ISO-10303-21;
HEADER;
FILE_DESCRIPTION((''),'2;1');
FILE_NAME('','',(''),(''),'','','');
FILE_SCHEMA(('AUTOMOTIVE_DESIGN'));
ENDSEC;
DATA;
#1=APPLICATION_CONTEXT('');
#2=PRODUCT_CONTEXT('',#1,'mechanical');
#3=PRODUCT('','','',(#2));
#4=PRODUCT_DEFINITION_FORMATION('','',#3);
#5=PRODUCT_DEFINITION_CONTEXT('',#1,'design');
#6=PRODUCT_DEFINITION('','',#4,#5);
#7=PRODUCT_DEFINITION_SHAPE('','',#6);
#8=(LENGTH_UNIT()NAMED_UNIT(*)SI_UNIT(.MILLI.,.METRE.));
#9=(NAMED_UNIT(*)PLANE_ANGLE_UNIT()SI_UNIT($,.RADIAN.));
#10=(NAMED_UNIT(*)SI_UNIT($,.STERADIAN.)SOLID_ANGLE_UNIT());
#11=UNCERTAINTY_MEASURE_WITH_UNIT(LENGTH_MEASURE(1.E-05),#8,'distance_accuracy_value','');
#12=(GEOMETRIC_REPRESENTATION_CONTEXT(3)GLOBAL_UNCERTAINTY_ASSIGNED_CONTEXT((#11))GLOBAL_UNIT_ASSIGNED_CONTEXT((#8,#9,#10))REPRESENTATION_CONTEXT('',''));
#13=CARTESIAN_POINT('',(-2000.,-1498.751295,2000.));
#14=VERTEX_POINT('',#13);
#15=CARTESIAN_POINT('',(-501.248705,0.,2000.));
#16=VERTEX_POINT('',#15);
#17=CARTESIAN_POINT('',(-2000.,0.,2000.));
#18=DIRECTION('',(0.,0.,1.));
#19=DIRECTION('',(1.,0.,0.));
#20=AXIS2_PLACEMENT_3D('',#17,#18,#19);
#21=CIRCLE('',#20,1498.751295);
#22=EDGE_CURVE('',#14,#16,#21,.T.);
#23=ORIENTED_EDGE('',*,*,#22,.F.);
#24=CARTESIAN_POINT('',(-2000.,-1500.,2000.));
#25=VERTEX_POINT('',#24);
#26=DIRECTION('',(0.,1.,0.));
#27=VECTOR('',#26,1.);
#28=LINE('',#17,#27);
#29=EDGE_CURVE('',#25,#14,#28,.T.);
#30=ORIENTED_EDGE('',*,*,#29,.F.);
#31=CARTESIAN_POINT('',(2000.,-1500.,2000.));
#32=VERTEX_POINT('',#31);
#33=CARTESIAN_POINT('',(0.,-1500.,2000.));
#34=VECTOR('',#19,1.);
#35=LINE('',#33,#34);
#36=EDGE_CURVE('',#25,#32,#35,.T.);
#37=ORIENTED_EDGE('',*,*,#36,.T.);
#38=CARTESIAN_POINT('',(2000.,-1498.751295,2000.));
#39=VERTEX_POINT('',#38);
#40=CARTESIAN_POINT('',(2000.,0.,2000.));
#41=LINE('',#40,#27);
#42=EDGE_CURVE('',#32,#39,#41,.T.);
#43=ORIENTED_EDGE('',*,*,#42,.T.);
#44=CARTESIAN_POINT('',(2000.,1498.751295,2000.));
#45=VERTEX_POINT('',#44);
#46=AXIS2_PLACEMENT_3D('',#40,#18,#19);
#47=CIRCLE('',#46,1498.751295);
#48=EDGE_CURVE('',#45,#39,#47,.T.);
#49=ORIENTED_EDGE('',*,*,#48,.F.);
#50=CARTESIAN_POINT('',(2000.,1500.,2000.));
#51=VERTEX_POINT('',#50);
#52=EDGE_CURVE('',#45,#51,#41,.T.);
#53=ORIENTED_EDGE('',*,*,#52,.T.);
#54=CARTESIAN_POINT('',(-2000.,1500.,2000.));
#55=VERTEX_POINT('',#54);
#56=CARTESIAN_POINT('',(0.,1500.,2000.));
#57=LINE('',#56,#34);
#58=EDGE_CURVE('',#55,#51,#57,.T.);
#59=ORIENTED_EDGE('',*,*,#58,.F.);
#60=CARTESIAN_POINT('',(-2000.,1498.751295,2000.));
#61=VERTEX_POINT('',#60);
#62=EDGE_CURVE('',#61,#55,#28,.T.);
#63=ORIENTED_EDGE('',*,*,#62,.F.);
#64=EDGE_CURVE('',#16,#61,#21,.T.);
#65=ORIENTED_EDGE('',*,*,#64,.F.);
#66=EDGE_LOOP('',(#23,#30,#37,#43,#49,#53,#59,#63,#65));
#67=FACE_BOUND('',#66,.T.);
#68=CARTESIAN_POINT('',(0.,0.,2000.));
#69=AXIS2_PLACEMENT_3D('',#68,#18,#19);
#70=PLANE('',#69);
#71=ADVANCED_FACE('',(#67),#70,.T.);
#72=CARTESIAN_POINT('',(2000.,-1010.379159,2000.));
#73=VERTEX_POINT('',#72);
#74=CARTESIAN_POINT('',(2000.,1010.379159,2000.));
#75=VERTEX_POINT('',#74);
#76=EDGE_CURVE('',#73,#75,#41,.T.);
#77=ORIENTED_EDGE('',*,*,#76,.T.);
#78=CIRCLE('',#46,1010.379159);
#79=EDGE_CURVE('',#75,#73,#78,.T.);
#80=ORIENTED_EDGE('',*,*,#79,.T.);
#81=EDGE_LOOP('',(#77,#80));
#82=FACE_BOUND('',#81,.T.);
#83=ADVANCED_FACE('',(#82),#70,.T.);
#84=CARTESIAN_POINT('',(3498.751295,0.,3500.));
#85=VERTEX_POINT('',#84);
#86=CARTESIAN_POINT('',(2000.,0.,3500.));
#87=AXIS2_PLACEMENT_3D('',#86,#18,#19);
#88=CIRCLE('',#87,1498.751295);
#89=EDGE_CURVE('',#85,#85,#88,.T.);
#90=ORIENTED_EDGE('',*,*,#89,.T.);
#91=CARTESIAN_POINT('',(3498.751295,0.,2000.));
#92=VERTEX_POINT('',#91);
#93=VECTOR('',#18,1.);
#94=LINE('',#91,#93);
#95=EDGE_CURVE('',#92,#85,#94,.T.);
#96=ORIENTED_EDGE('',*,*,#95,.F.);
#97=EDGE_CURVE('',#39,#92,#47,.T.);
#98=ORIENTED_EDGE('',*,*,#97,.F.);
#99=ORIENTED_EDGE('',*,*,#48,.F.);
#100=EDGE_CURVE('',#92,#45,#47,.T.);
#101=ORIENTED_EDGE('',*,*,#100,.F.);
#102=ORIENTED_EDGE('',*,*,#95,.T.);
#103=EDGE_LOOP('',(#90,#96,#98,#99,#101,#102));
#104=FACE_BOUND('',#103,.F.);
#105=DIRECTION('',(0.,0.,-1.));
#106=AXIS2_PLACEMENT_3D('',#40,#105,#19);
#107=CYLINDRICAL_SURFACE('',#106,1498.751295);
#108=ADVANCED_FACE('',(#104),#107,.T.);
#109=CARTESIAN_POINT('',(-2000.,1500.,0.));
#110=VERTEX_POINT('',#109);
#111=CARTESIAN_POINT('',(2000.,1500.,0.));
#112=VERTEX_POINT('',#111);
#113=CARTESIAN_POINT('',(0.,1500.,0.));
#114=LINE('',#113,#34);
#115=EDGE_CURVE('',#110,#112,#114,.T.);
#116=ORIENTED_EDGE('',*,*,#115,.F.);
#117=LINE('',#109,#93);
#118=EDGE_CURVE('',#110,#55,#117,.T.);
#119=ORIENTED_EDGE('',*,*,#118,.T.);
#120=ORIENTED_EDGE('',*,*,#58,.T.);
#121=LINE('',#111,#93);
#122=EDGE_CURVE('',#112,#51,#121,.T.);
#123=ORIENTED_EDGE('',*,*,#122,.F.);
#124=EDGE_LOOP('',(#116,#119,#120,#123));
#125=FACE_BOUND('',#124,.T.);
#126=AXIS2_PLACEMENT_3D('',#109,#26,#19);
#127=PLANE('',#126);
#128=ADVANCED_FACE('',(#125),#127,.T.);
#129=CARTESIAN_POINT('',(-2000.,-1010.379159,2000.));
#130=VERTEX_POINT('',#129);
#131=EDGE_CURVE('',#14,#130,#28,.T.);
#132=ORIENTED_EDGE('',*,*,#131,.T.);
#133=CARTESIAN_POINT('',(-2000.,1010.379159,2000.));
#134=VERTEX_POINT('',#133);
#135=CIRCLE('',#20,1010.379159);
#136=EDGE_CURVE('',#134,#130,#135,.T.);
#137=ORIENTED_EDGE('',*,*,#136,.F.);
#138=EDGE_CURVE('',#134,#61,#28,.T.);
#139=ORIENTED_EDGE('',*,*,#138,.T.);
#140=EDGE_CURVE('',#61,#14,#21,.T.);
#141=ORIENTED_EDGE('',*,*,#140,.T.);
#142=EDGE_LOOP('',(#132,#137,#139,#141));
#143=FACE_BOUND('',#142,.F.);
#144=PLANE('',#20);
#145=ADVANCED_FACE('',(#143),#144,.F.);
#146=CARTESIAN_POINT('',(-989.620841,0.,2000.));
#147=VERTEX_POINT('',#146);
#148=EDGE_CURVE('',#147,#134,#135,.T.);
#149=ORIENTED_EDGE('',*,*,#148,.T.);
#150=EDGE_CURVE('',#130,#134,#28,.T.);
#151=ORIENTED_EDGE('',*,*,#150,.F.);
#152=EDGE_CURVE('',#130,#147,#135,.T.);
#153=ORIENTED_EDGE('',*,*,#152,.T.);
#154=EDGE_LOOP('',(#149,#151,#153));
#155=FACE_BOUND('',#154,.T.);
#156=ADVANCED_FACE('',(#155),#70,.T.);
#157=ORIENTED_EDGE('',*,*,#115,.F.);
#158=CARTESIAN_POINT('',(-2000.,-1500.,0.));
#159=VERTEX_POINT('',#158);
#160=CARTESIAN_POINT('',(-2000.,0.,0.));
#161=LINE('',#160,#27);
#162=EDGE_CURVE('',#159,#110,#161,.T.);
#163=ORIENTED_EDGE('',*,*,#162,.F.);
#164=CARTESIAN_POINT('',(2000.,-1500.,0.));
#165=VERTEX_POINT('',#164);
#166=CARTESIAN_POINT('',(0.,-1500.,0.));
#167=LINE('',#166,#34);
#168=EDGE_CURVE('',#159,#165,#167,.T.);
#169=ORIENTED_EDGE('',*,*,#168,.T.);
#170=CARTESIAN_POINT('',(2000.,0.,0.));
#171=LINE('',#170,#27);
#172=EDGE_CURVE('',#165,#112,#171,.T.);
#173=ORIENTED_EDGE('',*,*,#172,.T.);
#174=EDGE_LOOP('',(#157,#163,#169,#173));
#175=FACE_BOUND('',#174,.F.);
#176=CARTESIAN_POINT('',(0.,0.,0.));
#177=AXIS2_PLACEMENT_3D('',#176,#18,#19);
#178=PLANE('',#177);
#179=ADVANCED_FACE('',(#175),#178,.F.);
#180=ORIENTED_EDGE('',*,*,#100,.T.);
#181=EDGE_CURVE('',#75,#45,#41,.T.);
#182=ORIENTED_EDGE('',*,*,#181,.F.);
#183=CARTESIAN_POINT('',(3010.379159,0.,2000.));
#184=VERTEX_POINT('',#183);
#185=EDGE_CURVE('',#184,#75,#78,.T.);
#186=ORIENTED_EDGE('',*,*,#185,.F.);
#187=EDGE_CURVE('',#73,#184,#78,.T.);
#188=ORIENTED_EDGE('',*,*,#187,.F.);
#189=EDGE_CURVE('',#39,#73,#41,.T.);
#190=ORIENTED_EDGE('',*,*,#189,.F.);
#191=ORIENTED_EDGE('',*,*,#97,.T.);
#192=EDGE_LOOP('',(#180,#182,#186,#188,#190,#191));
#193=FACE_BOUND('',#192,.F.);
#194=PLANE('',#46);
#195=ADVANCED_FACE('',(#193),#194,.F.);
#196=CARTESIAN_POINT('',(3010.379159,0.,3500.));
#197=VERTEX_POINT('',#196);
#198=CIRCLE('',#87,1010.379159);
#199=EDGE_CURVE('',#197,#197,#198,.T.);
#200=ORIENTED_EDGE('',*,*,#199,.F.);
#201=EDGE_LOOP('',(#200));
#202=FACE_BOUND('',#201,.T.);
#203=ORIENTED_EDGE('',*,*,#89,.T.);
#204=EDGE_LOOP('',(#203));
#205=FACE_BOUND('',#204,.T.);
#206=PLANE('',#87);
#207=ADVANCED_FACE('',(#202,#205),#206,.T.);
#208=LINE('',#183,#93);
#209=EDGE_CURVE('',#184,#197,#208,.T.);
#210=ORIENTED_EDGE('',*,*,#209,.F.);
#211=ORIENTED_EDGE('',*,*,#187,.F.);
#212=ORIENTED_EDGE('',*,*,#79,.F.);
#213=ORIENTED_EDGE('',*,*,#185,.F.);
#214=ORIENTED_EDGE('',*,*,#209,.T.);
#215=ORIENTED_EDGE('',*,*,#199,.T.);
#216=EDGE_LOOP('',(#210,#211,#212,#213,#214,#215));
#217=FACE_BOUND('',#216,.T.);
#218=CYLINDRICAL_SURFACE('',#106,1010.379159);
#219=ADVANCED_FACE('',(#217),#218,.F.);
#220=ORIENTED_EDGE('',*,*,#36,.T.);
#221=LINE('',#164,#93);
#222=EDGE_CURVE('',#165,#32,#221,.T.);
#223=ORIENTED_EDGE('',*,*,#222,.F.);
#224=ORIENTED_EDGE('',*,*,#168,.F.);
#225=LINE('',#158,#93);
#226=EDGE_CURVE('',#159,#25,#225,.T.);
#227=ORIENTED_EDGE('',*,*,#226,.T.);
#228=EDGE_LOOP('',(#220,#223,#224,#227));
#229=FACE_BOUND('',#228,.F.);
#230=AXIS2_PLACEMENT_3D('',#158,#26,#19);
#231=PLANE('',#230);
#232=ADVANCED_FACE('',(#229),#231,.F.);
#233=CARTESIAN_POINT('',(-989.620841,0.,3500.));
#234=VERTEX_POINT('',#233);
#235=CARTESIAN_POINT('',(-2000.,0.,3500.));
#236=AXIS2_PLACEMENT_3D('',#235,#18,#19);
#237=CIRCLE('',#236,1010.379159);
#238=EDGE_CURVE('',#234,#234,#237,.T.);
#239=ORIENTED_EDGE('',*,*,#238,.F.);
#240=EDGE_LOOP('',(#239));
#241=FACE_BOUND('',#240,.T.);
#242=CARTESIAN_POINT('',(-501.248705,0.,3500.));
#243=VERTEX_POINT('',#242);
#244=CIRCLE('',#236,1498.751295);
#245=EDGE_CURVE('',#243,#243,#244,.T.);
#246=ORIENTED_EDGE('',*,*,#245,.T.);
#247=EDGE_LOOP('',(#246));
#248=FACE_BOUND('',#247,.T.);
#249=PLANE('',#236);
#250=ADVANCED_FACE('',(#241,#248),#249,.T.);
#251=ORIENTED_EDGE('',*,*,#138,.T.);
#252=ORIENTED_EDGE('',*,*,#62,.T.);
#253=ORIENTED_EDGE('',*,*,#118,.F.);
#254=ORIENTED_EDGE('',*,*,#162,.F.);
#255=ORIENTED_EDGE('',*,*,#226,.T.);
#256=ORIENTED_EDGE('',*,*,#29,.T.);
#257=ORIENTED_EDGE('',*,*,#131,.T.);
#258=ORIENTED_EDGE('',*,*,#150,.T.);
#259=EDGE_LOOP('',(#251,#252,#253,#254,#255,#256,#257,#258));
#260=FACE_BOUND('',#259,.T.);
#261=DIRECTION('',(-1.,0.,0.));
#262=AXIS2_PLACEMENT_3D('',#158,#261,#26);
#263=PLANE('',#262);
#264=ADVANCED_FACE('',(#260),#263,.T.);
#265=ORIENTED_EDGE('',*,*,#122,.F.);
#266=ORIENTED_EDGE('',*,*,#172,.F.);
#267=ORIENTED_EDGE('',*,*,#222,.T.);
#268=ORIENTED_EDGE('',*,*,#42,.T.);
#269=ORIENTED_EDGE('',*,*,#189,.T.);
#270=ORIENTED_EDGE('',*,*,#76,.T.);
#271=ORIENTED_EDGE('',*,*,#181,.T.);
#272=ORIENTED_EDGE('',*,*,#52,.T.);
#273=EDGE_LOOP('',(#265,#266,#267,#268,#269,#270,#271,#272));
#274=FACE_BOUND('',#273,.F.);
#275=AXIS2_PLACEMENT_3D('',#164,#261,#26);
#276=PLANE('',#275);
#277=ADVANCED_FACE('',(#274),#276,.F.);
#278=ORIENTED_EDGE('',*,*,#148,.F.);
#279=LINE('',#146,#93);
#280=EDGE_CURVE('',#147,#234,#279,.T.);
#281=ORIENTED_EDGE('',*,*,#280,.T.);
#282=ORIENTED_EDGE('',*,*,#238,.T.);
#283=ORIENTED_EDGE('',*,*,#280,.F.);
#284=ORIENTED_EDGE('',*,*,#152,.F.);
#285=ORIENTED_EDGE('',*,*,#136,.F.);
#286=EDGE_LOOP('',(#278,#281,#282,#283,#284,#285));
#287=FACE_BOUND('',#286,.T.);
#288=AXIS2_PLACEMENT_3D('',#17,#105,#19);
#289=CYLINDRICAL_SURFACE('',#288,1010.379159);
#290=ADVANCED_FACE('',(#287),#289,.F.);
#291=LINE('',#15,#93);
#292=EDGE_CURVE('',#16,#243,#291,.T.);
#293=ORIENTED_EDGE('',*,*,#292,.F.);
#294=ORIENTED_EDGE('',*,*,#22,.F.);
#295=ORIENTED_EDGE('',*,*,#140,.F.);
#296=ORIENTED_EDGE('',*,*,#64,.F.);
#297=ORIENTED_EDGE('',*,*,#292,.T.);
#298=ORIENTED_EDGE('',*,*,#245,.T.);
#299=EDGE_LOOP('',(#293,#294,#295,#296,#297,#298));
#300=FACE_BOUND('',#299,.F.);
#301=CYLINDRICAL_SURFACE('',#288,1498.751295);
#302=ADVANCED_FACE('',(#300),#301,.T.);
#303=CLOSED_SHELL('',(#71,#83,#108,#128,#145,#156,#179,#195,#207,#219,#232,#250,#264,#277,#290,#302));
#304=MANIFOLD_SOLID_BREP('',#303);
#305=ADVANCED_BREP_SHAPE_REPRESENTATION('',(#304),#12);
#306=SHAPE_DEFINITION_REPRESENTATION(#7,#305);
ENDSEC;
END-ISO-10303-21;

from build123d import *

# Parameters (mm, degrees)
F0_W     = 4000
F0_H     = 3000
F1_DEPTH = 2000
F2_R     = 1498.751295
F2_R_2   = 1010.379159
F3_DEPTH = 1500


with BuildPart() as f1:
    # F0 (on Top) → F1 (new body)
    with BuildSketch(Plane.XY):
        Rectangle(F0_W, F0_H)
    extrude(amount=F1_DEPTH)

    # F2 (on face) → F3 (join)
    with BuildSketch(Plane.XY.offset(2000)):
        with Locations((-2000, 0)):
            Circle(F2_R)
        with Locations((-2000, 0)):
            Circle(F2_R_2, mode=Mode.SUBTRACT)
        with Locations((2000, 0)):
            Circle(F2_R)
        with Locations((2000, 0)):
            Circle(F2_R_2, mode=Mode.SUBTRACT)
    extrude(amount=F3_DEPTH)


solid = f1.part
